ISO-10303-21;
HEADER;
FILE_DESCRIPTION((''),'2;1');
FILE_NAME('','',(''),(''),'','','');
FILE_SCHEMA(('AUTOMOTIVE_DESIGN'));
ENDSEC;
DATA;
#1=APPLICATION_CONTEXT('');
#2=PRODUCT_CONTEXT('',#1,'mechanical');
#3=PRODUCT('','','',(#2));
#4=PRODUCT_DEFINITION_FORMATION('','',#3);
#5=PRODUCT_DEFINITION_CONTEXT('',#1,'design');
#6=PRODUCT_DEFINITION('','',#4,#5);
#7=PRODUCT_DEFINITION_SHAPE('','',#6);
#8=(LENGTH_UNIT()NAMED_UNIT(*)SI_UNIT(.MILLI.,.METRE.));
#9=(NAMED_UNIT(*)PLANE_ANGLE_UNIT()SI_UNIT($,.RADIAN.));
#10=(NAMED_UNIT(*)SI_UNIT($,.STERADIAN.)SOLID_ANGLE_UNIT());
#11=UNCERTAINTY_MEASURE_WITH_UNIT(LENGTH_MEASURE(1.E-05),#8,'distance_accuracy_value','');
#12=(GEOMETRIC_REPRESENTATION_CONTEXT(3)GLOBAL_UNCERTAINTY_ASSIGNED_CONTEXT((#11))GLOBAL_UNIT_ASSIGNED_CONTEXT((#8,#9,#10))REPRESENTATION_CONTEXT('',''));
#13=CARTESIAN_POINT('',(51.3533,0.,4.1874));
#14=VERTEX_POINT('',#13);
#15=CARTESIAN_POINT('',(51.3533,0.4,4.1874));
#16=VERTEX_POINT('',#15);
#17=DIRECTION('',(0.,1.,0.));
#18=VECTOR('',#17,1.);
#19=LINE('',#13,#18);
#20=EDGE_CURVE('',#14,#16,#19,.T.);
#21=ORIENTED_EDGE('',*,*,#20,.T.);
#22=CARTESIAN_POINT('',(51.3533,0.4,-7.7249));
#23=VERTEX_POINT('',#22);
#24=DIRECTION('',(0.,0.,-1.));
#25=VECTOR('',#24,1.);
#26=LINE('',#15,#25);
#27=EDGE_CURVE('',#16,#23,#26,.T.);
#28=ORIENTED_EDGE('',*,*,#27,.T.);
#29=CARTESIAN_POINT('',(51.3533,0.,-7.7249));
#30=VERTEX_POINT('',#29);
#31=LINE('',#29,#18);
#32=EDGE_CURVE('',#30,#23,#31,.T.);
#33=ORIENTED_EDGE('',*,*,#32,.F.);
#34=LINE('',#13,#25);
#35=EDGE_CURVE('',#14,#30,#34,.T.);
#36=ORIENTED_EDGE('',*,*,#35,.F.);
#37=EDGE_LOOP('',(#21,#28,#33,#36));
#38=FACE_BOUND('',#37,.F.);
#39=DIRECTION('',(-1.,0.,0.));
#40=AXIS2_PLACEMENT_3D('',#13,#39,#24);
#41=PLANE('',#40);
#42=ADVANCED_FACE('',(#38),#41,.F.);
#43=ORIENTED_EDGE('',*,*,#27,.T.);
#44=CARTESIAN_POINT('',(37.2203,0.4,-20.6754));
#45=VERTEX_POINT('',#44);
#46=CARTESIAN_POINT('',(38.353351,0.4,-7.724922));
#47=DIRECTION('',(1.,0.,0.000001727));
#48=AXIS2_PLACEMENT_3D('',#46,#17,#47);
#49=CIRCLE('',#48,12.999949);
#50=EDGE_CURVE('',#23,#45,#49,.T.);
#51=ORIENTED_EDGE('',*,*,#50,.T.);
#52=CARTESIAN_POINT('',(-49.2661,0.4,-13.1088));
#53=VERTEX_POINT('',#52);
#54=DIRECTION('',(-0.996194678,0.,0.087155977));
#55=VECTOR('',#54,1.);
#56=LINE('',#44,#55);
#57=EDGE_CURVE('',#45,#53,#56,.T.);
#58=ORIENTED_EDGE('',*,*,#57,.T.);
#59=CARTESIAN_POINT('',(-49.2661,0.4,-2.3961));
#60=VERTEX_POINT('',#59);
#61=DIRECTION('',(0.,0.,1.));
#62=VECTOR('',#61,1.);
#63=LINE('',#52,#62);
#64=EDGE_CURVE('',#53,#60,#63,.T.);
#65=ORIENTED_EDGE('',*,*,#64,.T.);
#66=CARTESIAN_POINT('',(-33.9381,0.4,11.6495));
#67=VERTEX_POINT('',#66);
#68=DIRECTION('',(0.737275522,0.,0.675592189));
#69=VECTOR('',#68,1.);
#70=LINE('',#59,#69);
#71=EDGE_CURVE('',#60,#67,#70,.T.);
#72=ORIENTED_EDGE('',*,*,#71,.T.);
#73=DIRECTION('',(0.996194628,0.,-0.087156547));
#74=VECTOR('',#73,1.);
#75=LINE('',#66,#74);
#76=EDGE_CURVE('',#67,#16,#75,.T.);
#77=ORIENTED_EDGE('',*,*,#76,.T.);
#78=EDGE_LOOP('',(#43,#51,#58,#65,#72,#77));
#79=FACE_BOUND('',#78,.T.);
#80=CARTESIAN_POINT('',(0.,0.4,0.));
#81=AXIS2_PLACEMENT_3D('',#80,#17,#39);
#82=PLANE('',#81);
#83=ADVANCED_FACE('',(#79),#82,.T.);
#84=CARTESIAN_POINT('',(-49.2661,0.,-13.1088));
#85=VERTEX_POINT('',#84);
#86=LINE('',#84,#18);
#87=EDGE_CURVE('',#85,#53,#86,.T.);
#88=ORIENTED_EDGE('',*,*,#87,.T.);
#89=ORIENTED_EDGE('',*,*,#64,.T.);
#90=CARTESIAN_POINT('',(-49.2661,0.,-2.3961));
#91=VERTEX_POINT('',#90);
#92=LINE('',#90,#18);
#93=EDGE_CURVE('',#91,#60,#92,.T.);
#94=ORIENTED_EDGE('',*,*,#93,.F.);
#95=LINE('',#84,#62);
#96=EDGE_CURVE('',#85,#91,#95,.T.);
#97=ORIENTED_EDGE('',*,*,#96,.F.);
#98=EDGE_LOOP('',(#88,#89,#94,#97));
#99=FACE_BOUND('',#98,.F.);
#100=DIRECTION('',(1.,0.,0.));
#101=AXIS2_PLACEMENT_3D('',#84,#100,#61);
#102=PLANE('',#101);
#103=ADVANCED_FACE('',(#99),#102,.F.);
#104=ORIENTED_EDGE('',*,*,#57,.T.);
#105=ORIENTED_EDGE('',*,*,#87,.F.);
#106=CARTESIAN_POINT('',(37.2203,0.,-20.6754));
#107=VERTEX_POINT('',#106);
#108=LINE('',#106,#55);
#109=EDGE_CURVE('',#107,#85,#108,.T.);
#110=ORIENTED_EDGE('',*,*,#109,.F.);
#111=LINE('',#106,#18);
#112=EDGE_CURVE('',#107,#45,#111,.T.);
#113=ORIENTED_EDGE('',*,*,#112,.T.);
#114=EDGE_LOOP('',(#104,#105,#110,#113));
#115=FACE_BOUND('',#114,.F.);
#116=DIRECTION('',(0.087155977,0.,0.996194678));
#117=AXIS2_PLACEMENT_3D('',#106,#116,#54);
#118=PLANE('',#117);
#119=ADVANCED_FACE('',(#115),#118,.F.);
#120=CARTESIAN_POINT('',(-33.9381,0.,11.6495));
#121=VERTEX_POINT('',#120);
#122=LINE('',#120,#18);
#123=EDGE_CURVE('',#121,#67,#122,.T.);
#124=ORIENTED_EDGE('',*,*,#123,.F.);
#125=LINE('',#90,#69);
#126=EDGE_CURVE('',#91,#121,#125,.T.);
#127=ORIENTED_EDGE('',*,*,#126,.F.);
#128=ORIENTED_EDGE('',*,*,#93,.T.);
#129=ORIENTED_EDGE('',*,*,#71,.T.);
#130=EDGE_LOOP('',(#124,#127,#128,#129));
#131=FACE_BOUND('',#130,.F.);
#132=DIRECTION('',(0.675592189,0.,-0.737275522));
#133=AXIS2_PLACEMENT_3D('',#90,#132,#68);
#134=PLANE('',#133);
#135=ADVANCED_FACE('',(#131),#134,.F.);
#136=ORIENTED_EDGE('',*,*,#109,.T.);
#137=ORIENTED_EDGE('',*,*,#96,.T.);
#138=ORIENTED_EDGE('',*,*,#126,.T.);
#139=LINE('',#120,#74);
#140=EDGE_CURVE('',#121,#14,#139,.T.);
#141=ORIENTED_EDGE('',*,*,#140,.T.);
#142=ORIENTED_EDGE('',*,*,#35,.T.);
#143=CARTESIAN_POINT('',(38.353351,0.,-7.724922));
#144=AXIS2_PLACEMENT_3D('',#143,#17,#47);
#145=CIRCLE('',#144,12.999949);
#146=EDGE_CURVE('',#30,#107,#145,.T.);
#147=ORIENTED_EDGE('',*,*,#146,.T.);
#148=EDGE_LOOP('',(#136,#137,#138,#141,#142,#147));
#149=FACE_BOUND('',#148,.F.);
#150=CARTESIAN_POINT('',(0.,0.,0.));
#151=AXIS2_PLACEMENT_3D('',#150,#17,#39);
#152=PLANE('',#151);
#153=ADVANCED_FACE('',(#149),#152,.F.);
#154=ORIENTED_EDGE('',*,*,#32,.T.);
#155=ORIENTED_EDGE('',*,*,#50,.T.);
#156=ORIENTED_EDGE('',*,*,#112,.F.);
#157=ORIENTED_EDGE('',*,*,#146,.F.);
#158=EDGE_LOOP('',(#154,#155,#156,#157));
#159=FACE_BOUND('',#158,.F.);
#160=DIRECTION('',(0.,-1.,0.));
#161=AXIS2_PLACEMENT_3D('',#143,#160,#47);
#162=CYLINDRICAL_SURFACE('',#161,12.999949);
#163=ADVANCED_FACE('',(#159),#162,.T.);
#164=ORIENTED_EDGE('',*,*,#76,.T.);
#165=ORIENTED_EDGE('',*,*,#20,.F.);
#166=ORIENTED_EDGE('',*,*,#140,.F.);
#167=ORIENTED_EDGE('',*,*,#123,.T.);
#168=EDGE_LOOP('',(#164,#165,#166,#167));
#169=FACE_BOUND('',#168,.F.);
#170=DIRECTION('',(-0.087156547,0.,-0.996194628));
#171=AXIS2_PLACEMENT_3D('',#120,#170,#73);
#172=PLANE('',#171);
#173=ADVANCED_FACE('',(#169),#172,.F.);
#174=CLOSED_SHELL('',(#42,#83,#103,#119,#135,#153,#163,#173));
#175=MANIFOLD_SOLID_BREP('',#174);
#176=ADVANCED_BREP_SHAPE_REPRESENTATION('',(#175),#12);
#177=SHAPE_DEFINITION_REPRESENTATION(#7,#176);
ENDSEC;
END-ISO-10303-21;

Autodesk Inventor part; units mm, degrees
ref_plane "YZ Plane" through (0, 0, 0) normal (1, 0, 0) x (0, 1, 0)
ref_plane "XZ Plane" through (0, 0, 0) normal (0, 1, 0) x (-1, 0, 0)
ref_plane "XY Plane" through (0, 0, 0) normal (0, 0, 1) x (1, 0, 0)
sketch "Sketch1" plane through (0, 0, 0) normal (0, 1, 0) x (-1, 0, 0)
  line L0 (49.2661, -2.3961) -> (33.9381, 11.6495)
  line L1 (33.9381, 11.6495) -> (-51.3533, 4.1874)
  line L2 (-51.3533, 4.1874) -> (-51.3533, -7.7249)
  arc A0 (-51.3533, -7.7249) -> (-37.2203, -20.6754) centre (-38.3533, -7.7249) ccw
  line L3 (-37.2203, -20.6754) -> (49.2661, -13.1088)
  line L4 (49.2661, -13.1088) -> (49.2661, -2.3961)
  arc A1 (-49.3533, -7.7249) -> (-37.3946, -18.683) centre (-38.3533, -7.7249) ccw
  line L5 (-49.3533, -7.7249) -> (-49.3533, -2.2269)
  arc A2 (-44.7891, 2.7541) -> (-49.3533, -2.2269) centre (-44.3533, -2.2269) ccw
  line L6 (-44.7891, 2.7541) -> (31.044, 9.3886)
  arc A3 (34.8577, 8.094) -> (31.044, 9.3886) centre (31.4798, 4.4077) ccw
  line L7 (34.8577, 8.094) -> (45.6441, -1.7898)
  arc A4 (47.2661, -5.4762) -> (45.6441, -1.7898) centre (42.2661, -5.4762) ccw
  line L8 (47.2661, -5.4762) -> (47.2661, -6.6945)
  arc A5 (42.7019, -11.6755) -> (47.2661, -6.6945) centre (42.2661, -6.6945) ccw
  line L9 (42.7019, -11.6755) -> (-37.3946, -18.683)
  line L10 (-51.1533, 4.0042) -> (33.8678, 11.4426)
  line L11 (33.8678, 11.4426) -> (49.0661, -2.4841)
  line L12 (49.0661, -2.4841) -> (49.0661, -12.9255)
  line L13 (49.0661, -12.9255) -> (-37.2377, -20.4762)
  arc A6 (-51.1533, -7.7249) -> (-37.2377, -20.4762) centre (-38.3533, -7.7249) ccw
  line L14 (-51.1533, -7.7249) -> (-51.1533, 4.0042)
  point P0 (0, 0)
  dimension "d0" = 0.2
extrude "Extrusion1" add sketch "Sketch1" along normal blind 0.4 contours L4 L3 A0 L2 L1 L0 | L5 A2 L6 A3 L7 A4 L8 A5 L9 A1 | L10 L11 L12 L13 A6 L14
properties part number "b"
